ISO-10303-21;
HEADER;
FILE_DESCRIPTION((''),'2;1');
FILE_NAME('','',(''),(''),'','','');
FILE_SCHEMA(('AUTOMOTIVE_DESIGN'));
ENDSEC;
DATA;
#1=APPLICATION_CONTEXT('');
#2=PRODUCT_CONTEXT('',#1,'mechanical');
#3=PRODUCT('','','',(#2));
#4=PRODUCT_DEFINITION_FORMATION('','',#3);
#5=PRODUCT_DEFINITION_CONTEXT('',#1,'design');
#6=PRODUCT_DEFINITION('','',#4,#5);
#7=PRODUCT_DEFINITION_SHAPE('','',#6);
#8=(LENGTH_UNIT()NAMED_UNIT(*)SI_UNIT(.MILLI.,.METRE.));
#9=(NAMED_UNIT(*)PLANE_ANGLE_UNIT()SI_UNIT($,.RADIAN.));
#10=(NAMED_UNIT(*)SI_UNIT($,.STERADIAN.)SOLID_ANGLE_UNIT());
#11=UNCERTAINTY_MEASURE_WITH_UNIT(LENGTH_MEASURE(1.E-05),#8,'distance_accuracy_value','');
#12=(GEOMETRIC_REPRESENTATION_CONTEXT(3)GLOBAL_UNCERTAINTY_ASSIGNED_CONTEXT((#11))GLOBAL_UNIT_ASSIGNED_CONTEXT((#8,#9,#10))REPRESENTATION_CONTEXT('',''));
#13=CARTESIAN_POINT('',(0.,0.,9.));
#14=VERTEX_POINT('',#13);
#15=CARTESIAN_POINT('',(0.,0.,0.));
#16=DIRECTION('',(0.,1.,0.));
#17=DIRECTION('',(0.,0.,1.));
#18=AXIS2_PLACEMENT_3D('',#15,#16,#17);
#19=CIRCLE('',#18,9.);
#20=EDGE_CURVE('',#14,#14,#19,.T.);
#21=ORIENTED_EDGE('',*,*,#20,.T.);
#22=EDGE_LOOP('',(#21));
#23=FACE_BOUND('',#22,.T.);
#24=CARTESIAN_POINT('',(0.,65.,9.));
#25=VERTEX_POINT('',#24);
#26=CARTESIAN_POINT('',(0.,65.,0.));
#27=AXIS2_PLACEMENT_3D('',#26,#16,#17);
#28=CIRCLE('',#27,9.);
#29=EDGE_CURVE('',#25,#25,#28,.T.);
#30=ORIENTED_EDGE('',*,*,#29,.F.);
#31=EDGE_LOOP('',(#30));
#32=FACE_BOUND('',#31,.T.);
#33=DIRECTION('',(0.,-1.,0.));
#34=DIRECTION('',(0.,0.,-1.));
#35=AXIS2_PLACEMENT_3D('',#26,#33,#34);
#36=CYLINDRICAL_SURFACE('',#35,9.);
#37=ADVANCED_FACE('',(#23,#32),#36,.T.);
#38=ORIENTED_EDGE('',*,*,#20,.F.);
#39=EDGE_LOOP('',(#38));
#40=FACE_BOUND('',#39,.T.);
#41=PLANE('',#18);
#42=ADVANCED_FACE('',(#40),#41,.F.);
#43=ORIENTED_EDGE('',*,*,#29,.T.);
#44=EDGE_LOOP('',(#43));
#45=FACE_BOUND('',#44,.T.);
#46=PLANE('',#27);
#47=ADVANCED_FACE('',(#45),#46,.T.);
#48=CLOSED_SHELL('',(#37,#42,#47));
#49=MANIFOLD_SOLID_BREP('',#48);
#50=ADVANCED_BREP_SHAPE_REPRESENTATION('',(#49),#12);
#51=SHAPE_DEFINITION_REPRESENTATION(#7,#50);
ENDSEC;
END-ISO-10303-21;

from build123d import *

# Parameters (mm, degrees)
ESQUISSE1_R        = 9
BOSS_EXTRU_1_DEPTH = 65


with BuildPart() as part:
    # Esquisse1 → Boss.-Extru.1 (new body)
    with BuildSketch(Plane(origin=(0, 0, 0), x_dir=(1, 0, 0), z_dir=(0, 1, 0))):
        Circle(ESQUISSE1_R)
    extrude(amount=BOSS_EXTRU_1_DEPTH)


solid = part.part
